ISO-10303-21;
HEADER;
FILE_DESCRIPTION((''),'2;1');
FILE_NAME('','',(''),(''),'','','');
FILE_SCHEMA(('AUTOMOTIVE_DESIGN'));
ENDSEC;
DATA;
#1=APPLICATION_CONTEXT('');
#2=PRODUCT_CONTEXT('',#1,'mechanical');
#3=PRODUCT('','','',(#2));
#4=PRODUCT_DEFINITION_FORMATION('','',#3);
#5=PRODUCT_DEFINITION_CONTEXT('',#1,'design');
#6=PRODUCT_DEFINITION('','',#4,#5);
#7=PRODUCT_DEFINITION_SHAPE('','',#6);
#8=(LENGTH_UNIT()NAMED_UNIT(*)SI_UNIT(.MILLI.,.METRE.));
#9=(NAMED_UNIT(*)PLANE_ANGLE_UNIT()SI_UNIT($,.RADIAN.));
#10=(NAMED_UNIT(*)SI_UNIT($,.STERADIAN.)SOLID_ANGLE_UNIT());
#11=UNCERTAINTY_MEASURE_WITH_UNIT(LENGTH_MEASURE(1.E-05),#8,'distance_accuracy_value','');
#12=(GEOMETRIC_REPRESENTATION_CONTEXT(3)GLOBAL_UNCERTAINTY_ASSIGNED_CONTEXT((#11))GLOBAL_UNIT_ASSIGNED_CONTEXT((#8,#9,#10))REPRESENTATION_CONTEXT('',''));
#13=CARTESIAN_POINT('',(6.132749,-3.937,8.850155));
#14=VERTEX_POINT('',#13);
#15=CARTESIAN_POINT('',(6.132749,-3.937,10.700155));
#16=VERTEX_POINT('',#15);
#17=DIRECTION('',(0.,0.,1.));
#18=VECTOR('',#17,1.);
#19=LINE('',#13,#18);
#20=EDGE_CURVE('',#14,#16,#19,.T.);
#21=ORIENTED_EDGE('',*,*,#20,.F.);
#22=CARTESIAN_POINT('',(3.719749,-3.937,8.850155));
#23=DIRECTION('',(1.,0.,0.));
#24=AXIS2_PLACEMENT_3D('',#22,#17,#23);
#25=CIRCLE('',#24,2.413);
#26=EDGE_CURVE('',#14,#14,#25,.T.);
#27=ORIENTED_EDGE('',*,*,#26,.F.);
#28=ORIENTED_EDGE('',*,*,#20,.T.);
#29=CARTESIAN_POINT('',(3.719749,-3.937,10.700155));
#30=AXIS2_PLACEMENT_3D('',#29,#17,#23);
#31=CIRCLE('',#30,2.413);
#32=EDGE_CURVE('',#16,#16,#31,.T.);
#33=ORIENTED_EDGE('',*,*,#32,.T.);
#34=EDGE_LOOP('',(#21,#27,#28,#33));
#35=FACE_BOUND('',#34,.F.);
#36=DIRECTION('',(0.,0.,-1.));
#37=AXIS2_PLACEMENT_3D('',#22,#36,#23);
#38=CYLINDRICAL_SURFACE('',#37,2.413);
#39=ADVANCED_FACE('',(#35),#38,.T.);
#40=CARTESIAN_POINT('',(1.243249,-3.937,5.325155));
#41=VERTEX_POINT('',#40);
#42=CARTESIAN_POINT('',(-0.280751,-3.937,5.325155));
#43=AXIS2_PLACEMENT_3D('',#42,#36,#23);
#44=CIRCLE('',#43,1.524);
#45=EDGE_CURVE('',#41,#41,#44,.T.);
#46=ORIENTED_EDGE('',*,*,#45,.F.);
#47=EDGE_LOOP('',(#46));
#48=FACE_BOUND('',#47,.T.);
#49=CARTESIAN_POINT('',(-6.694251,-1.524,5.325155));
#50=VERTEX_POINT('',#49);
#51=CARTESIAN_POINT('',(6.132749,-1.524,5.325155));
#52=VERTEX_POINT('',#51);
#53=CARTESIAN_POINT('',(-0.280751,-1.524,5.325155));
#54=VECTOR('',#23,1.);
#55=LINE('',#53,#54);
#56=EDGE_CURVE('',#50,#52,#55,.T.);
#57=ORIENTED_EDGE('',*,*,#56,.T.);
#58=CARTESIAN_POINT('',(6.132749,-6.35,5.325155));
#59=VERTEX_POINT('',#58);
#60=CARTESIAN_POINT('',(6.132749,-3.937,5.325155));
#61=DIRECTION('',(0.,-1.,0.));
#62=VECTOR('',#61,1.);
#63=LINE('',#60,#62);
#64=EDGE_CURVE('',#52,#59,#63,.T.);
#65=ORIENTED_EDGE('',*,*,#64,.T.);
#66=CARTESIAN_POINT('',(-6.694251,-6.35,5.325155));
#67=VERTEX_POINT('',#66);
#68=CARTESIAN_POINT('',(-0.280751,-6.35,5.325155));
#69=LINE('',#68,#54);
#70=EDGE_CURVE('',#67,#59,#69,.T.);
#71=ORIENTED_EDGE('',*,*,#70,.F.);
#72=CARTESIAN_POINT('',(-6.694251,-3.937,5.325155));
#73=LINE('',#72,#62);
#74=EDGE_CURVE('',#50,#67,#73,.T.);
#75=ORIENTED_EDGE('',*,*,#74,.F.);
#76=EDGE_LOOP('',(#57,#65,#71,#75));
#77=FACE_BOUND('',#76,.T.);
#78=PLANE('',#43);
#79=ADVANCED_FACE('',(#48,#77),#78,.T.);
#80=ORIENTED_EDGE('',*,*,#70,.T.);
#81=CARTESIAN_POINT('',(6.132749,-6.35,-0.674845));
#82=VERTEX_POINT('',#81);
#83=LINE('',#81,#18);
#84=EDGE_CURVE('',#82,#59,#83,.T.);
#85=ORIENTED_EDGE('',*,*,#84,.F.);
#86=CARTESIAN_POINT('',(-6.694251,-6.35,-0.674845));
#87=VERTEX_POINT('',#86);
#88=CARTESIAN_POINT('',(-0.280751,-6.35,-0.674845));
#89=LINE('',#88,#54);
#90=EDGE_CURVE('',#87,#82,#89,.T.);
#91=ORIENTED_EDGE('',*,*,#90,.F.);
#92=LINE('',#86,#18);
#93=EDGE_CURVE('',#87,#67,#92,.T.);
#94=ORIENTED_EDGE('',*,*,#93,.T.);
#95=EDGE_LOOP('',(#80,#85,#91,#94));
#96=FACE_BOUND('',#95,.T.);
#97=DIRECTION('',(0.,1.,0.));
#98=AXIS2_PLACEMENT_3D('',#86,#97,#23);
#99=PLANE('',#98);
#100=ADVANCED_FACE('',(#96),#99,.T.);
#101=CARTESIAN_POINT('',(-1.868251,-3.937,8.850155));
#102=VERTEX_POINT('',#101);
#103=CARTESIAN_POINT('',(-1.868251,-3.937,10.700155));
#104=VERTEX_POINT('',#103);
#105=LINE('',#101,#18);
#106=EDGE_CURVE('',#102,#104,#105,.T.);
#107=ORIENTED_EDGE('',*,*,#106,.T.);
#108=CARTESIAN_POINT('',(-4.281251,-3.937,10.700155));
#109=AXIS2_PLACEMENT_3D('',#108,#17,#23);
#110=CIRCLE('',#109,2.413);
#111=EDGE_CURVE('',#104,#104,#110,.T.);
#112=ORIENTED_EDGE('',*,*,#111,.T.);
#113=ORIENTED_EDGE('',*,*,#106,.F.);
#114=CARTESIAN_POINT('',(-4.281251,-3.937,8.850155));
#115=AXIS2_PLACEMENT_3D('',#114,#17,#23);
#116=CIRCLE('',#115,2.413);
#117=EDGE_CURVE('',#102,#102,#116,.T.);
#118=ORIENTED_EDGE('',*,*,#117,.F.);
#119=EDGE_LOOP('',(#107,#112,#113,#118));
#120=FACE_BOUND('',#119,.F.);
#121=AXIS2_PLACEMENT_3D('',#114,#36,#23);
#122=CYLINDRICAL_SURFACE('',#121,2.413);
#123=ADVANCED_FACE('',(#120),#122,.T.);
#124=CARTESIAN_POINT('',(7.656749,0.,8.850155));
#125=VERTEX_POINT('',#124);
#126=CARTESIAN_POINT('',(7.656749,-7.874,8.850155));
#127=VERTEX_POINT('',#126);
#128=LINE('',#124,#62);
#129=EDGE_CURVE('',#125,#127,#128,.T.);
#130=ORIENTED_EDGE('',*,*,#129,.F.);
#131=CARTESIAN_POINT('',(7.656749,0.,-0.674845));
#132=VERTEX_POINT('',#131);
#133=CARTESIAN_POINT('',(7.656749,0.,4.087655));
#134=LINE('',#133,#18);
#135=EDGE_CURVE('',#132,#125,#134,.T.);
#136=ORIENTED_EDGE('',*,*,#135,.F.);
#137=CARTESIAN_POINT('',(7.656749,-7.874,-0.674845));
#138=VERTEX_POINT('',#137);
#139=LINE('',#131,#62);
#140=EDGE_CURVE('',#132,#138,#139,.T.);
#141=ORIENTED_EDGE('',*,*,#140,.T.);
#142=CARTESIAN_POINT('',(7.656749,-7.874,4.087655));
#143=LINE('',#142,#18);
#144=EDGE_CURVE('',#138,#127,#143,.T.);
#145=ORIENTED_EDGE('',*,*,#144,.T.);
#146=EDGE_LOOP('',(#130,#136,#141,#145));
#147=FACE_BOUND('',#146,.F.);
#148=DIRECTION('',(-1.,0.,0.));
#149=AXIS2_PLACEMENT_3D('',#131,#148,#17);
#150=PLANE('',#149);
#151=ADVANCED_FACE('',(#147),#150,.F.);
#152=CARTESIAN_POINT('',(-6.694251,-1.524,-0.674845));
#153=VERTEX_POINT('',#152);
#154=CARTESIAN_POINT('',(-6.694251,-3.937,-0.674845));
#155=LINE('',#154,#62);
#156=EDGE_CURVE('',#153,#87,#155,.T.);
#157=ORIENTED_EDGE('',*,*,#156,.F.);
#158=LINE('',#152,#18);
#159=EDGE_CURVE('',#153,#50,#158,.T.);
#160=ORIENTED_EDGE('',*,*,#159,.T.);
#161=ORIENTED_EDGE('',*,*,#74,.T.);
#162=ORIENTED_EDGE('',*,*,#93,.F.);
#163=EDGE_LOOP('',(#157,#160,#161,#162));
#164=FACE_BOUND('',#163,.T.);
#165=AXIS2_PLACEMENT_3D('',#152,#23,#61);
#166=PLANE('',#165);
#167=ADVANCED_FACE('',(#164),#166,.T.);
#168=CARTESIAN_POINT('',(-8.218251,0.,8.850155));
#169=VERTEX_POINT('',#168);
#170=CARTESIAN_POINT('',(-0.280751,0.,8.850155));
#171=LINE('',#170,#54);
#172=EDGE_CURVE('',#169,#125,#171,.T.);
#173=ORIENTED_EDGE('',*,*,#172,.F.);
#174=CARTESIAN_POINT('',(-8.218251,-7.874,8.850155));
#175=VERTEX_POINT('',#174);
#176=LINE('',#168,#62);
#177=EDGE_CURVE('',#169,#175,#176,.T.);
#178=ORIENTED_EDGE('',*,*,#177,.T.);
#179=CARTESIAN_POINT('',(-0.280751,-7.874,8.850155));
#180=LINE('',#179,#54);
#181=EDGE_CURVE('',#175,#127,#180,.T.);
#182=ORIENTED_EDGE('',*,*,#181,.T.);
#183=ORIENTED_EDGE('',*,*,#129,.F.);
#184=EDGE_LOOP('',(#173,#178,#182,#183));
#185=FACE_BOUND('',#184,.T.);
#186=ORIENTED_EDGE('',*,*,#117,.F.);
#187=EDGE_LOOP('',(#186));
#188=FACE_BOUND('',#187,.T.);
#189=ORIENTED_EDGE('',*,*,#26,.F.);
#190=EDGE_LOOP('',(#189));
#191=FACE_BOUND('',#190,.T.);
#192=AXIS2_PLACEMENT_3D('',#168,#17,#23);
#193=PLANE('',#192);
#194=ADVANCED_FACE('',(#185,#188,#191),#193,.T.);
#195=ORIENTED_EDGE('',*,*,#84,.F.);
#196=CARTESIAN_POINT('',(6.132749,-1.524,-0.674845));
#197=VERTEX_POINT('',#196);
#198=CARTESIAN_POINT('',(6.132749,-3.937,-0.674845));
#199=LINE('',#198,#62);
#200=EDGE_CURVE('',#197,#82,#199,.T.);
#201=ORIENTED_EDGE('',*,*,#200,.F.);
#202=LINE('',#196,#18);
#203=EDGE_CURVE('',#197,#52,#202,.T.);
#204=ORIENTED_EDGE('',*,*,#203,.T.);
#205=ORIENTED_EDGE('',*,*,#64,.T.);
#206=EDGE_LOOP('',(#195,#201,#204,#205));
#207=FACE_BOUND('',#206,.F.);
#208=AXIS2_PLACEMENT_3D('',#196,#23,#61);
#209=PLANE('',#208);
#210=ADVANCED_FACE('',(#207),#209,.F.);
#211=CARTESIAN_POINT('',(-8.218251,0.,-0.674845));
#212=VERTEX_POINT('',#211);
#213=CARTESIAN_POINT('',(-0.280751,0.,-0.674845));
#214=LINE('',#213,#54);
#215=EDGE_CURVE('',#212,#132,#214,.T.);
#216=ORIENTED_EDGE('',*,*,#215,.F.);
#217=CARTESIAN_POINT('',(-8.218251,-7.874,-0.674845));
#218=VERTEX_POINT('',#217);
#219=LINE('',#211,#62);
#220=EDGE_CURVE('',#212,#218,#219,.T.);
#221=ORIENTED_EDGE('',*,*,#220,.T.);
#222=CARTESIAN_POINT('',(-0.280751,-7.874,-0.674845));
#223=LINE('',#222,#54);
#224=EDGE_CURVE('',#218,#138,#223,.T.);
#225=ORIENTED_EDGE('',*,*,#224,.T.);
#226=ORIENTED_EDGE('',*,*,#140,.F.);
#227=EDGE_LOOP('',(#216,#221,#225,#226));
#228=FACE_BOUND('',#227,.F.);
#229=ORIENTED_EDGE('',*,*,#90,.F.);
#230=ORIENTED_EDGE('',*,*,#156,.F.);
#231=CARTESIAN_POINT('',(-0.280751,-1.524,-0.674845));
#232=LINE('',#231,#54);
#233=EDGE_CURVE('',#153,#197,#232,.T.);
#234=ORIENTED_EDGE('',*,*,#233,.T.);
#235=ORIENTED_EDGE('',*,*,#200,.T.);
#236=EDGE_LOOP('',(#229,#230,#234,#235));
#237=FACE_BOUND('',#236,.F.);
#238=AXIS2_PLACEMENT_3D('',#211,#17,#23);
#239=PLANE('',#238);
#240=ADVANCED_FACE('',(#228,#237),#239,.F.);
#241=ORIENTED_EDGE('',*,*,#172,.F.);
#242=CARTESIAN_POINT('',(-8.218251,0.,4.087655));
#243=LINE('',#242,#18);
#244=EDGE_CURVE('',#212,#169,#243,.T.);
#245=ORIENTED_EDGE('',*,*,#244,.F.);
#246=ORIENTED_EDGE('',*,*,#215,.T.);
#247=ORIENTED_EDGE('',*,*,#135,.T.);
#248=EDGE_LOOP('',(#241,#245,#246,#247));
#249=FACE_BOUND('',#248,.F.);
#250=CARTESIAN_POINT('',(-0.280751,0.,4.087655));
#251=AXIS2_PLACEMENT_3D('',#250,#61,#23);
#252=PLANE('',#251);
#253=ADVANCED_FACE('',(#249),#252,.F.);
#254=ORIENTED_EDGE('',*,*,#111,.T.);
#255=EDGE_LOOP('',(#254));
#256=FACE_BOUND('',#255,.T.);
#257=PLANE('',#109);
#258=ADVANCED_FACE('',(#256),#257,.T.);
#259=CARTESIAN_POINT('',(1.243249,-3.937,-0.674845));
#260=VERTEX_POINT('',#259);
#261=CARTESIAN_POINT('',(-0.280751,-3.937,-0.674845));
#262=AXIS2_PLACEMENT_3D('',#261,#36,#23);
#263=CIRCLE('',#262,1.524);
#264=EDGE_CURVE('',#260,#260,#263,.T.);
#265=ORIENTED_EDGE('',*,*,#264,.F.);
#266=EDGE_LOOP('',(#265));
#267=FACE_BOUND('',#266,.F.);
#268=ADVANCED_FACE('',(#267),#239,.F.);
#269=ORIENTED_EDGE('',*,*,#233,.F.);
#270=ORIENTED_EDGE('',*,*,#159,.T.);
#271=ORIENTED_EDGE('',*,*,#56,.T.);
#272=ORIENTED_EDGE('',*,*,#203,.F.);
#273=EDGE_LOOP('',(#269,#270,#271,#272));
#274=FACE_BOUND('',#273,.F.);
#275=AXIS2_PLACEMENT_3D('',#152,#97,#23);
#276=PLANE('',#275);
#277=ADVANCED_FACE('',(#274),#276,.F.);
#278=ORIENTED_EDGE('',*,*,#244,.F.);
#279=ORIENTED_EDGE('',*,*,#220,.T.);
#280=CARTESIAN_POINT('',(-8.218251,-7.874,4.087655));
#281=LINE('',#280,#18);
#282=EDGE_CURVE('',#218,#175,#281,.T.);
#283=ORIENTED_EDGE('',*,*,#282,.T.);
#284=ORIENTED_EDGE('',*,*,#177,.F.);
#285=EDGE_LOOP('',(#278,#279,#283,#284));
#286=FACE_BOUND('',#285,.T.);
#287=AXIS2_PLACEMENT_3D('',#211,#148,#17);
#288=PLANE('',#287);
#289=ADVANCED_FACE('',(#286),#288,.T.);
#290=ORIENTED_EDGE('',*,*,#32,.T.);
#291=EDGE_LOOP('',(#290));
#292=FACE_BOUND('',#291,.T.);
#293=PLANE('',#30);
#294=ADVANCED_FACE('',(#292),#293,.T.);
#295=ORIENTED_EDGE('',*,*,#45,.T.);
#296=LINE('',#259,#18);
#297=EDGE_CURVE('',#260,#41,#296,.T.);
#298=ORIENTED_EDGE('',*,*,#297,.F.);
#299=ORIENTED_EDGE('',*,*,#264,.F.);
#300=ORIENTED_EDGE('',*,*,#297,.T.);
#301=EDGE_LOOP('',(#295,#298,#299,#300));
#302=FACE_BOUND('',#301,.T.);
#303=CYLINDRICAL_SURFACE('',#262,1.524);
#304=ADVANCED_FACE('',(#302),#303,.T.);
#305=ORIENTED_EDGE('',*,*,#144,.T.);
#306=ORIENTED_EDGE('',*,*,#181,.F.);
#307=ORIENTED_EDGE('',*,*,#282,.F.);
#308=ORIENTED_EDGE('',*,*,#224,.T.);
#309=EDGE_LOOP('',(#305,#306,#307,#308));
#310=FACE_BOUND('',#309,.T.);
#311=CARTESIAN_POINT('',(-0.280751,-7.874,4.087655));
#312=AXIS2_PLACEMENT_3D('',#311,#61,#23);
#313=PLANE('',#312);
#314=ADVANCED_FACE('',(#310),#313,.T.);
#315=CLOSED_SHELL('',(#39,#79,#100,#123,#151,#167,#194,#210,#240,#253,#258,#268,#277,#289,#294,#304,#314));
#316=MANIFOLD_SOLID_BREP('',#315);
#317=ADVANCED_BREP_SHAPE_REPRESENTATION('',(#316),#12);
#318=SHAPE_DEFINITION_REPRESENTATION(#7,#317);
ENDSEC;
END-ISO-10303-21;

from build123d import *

# Parameters (mm, degrees)
F0_W     = 15.875
F0_H     = 9.525
F1_DEPTH = 7.874
F2_R     = 2.413
F3_DEPTH = 1.85
F4_W     = 12.827
F4_H     = 4.826
F4_R     = 1.524
F5_DEPTH = 6


with BuildPart() as f1:
    # F0 (on Front) → F1 (new body)
    with BuildSketch(Plane.XZ):
        with Locations((-0.280751, 4.087655)):
            Rectangle(F0_W, F0_H)
    extrude(amount=F1_DEPTH)

    # F2 (on face) → F3 (join)
    with BuildSketch(Plane.XY.offset(8.850155)):
        with Locations((-4.281251, -3.937)):
            Circle(F2_R)
        with Locations((3.719749, -3.937)):
            Circle(F2_R)
    extrude(amount=F3_DEPTH)

    # F4 (on face) → F5 (cut)
    with BuildSketch(Plane(origin=(0, 0, -0.674845), x_dir=(1, 0, 0), z_dir=(0, 0, -1))):
        with Locations((-0.280751, 3.937)):
            Rectangle(F4_W, F4_H)
        with Locations((-0.280751, 3.937)):
            Circle(F4_R, mode=Mode.SUBTRACT)
    extrude(amount=-F5_DEPTH, mode=Mode.SUBTRACT)


solid = f1.part
